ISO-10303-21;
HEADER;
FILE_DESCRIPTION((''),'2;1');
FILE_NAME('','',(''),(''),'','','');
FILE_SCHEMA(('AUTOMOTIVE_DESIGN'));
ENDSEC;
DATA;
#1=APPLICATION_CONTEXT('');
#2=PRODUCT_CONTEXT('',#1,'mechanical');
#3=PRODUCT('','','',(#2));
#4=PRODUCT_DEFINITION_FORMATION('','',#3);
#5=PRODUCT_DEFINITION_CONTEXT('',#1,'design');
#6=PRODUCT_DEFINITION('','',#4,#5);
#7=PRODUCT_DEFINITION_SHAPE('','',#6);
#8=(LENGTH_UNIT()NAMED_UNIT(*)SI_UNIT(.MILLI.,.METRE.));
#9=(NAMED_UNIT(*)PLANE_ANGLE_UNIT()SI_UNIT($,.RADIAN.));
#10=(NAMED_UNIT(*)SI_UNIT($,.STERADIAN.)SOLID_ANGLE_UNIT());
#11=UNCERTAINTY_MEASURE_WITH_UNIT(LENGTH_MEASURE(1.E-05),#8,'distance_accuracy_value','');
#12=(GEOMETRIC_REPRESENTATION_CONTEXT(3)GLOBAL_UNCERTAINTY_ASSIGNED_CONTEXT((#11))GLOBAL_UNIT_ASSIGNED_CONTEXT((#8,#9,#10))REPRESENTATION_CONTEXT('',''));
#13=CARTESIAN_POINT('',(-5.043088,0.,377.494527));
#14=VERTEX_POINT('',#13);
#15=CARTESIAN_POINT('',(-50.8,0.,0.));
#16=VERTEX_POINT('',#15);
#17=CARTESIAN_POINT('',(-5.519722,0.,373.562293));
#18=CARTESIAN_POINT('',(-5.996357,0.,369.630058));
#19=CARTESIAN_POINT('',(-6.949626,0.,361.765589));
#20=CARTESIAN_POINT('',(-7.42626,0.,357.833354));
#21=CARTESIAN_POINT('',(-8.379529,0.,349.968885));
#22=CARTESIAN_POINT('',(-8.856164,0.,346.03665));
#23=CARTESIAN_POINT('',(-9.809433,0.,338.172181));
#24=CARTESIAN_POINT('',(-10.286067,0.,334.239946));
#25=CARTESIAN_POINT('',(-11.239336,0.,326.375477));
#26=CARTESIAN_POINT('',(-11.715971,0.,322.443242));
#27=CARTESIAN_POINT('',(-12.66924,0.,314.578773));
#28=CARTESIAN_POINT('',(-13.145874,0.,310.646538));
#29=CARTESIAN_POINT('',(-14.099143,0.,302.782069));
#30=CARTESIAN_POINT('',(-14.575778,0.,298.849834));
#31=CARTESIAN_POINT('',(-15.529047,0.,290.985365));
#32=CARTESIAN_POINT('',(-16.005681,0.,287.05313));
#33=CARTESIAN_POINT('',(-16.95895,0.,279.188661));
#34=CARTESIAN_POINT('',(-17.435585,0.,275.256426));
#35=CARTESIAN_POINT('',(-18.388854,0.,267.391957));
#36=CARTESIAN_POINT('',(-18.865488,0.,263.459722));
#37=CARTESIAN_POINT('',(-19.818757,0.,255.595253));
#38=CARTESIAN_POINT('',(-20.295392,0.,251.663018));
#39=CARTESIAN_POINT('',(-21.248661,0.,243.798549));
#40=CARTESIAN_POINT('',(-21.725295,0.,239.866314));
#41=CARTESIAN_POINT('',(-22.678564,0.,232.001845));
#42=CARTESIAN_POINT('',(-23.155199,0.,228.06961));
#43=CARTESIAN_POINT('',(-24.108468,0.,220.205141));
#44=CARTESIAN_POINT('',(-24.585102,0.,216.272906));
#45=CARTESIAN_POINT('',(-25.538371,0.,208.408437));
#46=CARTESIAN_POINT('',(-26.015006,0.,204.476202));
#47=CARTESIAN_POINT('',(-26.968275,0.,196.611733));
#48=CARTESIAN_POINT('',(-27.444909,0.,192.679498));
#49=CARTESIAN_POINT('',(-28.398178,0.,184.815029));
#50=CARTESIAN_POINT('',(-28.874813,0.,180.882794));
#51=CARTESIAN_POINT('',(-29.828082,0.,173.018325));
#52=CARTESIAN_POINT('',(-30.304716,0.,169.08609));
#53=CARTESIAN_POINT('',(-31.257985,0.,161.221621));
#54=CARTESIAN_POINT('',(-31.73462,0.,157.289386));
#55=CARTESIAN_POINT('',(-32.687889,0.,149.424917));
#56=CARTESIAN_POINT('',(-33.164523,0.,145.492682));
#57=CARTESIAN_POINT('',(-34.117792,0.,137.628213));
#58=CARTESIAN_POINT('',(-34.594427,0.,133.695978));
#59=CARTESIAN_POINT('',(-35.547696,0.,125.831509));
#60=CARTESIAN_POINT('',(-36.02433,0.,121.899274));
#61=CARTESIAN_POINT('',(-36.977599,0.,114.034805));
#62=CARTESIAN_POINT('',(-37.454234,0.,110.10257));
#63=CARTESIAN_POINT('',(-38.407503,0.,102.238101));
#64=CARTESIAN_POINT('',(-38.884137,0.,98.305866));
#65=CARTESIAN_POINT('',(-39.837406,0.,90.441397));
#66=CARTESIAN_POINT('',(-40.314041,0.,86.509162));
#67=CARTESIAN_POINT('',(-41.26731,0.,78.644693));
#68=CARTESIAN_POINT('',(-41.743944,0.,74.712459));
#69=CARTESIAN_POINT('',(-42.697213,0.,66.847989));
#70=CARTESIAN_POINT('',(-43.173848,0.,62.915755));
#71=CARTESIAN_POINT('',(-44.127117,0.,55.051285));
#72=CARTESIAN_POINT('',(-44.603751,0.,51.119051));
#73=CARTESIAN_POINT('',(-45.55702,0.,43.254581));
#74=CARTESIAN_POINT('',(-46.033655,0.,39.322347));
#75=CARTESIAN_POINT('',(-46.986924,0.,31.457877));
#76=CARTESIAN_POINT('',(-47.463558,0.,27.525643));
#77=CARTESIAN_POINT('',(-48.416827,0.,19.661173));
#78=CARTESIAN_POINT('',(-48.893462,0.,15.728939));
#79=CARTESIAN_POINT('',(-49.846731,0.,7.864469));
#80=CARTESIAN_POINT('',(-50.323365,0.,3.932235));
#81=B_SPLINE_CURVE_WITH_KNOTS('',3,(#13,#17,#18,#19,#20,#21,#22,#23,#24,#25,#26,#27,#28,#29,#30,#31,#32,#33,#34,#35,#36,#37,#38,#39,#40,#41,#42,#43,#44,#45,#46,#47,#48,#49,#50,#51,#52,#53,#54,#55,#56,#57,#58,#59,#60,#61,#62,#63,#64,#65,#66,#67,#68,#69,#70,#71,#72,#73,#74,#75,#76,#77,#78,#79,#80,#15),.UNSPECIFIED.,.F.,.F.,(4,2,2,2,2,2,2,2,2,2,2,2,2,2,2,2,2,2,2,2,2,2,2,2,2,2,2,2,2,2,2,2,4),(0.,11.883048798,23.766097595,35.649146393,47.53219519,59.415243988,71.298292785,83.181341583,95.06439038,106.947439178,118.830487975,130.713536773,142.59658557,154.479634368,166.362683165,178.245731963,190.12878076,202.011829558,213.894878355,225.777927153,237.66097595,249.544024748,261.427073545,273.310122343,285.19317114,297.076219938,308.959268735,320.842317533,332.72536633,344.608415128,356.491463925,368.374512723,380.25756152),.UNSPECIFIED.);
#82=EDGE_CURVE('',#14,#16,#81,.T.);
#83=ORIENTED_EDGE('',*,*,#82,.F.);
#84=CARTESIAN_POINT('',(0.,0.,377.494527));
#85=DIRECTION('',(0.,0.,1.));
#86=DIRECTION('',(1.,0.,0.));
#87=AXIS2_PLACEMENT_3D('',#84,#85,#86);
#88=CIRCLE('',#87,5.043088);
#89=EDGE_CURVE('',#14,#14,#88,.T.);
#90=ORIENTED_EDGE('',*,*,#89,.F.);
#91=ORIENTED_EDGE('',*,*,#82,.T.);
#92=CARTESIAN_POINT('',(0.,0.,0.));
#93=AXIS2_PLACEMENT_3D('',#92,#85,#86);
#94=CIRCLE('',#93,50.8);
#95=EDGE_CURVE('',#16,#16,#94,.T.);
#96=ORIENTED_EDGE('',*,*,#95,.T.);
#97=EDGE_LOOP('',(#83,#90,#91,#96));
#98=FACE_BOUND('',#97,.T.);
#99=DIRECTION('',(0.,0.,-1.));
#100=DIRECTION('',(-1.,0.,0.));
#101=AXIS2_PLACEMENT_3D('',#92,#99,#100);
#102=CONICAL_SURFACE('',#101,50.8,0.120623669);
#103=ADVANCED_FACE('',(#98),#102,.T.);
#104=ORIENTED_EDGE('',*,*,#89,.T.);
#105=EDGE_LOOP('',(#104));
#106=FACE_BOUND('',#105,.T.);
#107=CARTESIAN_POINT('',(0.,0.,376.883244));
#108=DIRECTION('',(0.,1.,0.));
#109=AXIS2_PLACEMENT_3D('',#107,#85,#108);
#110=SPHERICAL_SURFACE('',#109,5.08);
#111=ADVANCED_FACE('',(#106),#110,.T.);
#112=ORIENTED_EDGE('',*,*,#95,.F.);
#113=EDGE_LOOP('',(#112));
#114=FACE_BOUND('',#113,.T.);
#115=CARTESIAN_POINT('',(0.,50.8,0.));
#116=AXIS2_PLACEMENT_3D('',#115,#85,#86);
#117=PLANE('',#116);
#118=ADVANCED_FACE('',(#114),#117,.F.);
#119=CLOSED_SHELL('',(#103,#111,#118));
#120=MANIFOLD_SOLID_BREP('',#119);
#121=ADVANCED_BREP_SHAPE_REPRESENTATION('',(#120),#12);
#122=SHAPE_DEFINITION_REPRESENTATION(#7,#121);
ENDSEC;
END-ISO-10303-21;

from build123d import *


with BuildPart() as part:
    # Sketch1 → Revolve1 (revolve)
    with BuildSketch(Plane(origin=(0, 0, 0), x_dir=(0, 0, -1), z_dir=(1, 0, 0)), mode=Mode.PRIVATE) as revolve1_sk:
        with BuildLine():
            Line((-381.963243848, 0), (0, 0))
            Line((0, 0), (0, 50.8))
            Line((0, 50.8), (-377.494527195, 5.043087613))
            ThreePointArc((-377.494527195, 5.043087613), (-380.685330078, 3.369056292), (-381.963243848, 0))
        make_face()
    revolve(revolve1_sk.sketch.rotate(Axis((0, 0, 477.571752055), (0, 0, -1)), 270), axis=Axis((0, 0, 477.571752055), (0, 0, -1)))


solid = part.part
